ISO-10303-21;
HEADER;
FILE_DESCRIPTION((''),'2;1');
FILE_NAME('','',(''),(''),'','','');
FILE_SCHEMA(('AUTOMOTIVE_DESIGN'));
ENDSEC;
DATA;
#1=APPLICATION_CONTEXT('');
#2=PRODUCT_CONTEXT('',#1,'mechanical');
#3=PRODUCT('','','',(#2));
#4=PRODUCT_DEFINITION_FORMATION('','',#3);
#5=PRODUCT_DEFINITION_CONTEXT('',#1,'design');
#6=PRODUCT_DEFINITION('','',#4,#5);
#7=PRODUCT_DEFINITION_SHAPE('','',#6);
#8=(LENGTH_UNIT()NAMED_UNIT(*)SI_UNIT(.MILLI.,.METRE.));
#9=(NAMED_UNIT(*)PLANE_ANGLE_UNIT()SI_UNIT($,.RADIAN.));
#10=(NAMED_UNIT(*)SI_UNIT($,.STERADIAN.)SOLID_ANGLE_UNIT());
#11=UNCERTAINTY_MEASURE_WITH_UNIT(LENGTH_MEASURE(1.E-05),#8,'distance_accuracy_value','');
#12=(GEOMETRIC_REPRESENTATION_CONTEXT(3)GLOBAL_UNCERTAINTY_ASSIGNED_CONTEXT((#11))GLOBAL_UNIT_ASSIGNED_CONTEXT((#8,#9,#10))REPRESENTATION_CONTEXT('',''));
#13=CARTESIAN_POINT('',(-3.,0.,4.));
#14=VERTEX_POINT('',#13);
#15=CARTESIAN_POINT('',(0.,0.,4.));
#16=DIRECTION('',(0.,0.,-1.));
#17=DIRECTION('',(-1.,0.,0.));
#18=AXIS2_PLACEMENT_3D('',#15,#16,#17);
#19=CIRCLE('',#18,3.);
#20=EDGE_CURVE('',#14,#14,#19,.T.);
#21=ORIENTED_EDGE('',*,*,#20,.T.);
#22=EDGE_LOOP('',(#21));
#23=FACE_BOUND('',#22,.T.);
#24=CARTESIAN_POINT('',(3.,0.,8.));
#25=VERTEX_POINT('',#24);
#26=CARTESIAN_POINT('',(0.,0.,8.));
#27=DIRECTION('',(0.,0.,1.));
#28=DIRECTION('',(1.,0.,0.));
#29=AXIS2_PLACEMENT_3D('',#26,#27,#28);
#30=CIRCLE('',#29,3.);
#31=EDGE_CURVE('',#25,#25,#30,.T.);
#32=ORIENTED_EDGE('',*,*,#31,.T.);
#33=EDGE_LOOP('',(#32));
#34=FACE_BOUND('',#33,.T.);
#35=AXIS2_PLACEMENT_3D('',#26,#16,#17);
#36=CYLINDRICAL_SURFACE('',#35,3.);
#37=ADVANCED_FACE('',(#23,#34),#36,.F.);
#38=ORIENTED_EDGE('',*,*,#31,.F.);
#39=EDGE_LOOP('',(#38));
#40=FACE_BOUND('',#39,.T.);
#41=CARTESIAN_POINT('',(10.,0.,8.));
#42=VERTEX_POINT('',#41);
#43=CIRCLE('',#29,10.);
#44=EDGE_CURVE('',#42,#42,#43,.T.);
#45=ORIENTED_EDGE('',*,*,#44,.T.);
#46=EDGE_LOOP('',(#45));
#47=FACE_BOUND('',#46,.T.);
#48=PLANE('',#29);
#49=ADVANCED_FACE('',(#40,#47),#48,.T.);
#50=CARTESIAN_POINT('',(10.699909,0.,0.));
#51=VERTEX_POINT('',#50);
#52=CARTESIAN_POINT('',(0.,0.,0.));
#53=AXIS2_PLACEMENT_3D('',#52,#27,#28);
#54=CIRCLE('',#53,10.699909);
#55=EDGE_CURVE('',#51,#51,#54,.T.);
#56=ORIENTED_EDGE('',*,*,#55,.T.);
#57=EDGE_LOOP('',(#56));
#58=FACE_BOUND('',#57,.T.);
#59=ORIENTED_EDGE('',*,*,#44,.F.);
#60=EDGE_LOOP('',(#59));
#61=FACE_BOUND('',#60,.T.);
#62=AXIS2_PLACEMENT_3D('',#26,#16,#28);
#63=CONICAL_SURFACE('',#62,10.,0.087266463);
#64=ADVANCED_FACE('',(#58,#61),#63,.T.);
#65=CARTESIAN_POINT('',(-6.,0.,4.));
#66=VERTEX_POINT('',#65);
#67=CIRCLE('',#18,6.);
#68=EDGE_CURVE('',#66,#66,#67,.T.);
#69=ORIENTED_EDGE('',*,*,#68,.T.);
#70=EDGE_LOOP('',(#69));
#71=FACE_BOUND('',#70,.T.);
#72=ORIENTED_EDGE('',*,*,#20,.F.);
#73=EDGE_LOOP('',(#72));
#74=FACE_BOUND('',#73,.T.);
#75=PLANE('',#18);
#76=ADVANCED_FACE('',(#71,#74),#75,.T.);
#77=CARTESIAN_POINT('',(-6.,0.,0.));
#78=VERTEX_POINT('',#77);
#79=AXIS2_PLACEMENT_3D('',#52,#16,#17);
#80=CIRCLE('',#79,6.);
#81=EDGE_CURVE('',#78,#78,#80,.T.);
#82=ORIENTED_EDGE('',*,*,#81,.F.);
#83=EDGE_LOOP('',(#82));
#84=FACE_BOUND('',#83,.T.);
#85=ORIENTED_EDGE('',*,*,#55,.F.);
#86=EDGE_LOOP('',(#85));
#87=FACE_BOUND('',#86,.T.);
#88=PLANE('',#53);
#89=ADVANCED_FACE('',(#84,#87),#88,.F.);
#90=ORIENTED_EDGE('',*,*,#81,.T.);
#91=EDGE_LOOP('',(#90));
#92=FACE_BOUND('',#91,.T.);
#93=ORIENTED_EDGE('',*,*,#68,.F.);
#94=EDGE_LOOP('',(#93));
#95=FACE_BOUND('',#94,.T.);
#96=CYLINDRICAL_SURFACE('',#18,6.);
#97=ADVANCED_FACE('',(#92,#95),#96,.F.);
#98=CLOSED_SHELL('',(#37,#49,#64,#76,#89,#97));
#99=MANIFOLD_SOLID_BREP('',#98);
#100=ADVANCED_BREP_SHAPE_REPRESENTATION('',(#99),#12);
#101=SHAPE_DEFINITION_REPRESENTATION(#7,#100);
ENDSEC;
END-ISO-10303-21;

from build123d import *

# Parameters (mm, degrees)
SKETCH_1_R          = 10
SKETCH_1_R_2        = 3
EXTRUDE_1_DEPTH     = 8
DRAFT_1_ANGLE       = 5
SKETCH_2_R          = 6
CUT_EXTRUDE_1_DEPTH = 4


with BuildPart() as part:
    # 草图1 → 凸台-拉伸1 (new body)
    with BuildSketch(Plane.XY):
        Circle(SKETCH_1_R)
        Circle(SKETCH_1_R_2, mode=Mode.SUBTRACT)
    extrude(amount=EXTRUDE_1_DEPTH)

    # 拔模1
    draft_1_faces = [part.faces().sort_by_distance(p)[0] for p in [
        (-10, 0, 4),
    ]]
    draft(draft_1_faces, Plane.XY.offset(8), DRAFT_1_ANGLE)

    # 草图2 → 切除-拉伸1 (cut)
    with BuildSketch(Plane(origin=(0, 0, 0), x_dir=(-1, 0, 0), z_dir=(0, 0, -1))):
        Circle(SKETCH_2_R)
    extrude(amount=-CUT_EXTRUDE_1_DEPTH, mode=Mode.SUBTRACT)


solid = part.part
